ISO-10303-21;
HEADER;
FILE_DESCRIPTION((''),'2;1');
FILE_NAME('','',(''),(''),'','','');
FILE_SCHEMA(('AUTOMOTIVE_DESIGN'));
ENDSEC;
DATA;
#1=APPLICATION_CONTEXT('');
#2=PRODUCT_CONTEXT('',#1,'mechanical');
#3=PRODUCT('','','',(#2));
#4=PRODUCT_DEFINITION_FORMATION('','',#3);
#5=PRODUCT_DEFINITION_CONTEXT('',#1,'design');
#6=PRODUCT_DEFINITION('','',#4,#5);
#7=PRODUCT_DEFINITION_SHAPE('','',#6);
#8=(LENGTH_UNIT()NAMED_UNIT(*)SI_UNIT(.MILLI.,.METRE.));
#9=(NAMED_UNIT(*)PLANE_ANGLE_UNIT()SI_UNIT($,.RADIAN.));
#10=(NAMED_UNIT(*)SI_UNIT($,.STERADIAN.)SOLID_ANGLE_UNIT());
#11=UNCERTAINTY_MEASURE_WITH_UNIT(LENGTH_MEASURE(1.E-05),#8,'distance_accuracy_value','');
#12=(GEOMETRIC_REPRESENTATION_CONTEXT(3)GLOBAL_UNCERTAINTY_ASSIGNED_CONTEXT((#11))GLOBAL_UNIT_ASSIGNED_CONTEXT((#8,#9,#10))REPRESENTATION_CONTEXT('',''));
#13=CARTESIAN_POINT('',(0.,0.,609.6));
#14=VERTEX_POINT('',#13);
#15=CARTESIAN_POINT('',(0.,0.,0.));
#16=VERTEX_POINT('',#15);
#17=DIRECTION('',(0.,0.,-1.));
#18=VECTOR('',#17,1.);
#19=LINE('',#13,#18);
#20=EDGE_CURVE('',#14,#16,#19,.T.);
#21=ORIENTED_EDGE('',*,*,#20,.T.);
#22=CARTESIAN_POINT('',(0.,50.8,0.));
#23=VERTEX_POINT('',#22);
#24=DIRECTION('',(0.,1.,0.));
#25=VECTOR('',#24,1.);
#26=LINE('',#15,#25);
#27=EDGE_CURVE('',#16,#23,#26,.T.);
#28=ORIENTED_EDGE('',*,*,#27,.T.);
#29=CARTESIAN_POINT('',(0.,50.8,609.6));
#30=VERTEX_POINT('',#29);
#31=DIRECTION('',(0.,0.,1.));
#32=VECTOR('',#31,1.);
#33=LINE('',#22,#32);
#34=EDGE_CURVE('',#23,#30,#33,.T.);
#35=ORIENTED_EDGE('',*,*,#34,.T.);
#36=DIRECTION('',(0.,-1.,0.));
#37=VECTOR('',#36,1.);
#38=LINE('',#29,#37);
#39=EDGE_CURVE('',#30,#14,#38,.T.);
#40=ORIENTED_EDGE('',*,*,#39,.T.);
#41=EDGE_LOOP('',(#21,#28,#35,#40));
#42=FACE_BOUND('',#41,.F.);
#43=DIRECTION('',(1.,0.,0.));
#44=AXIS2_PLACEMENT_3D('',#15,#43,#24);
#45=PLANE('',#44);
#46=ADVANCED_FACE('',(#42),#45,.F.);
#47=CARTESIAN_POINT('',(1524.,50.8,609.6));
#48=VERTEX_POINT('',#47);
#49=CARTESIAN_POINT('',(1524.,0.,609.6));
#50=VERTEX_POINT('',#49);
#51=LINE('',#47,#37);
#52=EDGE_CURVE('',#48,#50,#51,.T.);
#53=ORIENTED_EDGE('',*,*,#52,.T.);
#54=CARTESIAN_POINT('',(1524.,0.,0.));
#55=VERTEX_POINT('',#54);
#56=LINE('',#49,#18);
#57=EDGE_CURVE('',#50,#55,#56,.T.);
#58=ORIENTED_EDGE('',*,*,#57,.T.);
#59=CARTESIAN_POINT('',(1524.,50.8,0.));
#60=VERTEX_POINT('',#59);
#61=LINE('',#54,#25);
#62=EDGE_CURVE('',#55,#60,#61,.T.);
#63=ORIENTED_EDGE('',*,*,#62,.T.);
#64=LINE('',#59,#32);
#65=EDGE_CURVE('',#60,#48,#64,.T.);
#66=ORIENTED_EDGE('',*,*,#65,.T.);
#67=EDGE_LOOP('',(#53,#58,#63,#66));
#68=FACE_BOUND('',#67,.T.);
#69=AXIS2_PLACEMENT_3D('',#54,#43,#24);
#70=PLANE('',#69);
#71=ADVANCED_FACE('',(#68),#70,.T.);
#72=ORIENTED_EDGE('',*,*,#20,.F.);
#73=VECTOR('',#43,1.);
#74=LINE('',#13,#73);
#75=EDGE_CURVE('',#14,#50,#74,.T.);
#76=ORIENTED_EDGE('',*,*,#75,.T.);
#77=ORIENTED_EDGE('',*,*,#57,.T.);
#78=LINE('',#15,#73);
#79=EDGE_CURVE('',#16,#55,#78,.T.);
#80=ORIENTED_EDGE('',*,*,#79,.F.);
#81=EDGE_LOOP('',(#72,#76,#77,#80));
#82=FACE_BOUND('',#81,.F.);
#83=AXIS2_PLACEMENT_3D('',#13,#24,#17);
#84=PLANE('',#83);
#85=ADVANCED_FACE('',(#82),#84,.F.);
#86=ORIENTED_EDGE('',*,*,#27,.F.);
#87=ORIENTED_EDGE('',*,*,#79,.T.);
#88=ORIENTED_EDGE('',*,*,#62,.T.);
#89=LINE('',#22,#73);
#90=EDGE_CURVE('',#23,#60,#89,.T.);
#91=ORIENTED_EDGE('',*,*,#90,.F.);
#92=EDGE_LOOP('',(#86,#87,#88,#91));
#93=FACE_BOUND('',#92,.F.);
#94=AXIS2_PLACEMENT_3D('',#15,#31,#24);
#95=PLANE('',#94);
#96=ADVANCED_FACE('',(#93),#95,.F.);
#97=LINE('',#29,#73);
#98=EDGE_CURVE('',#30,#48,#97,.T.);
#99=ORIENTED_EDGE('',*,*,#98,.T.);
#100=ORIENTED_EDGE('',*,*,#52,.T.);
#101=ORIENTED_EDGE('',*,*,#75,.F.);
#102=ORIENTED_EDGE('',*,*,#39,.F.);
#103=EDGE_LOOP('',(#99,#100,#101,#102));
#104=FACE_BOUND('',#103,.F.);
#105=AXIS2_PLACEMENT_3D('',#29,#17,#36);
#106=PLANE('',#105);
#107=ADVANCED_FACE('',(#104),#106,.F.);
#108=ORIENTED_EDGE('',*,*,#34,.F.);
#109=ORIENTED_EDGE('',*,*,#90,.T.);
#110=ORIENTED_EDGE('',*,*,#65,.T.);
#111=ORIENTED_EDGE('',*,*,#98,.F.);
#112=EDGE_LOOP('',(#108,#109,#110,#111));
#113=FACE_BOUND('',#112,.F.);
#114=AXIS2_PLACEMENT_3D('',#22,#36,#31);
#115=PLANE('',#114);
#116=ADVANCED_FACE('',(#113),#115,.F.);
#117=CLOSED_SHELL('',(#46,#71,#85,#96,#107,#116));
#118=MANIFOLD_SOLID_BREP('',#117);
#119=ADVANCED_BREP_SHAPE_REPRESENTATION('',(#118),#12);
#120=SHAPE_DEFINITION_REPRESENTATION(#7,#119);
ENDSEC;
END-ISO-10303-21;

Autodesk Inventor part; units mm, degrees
ref_plane "YZ Plane" through (0, 0, 0) normal (1, 0, 0) x (0, 1, 0)
ref_plane "XZ Plane" through (0, 0, 0) normal (0, 1, 0) x (-1, 0, 0)
ref_plane "XY Plane" through (0, 0, 0) normal (0, 0, 1) x (1, 0, 0)
sketch "Sketch1" plane through (0, 0, 0) normal (1, 0, 0) x (0, 1, 0)
  line L0 (0, 0) -> (50.8, 0)
  line L1 (50.8, 0) -> (50.8, 609.6)
  line L2 (50.8, 609.6) -> (0, 609.6)
  line L3 (0, 609.6) -> (0, 0)
  dimension "d0" = 50.8
  dimension "d1" = 609.6
extrude "Extrusion1" add sketch "Sketch1" along normal blind 1524
properties part number "2x24x60-2" material "Granite, Cut, Polished"
